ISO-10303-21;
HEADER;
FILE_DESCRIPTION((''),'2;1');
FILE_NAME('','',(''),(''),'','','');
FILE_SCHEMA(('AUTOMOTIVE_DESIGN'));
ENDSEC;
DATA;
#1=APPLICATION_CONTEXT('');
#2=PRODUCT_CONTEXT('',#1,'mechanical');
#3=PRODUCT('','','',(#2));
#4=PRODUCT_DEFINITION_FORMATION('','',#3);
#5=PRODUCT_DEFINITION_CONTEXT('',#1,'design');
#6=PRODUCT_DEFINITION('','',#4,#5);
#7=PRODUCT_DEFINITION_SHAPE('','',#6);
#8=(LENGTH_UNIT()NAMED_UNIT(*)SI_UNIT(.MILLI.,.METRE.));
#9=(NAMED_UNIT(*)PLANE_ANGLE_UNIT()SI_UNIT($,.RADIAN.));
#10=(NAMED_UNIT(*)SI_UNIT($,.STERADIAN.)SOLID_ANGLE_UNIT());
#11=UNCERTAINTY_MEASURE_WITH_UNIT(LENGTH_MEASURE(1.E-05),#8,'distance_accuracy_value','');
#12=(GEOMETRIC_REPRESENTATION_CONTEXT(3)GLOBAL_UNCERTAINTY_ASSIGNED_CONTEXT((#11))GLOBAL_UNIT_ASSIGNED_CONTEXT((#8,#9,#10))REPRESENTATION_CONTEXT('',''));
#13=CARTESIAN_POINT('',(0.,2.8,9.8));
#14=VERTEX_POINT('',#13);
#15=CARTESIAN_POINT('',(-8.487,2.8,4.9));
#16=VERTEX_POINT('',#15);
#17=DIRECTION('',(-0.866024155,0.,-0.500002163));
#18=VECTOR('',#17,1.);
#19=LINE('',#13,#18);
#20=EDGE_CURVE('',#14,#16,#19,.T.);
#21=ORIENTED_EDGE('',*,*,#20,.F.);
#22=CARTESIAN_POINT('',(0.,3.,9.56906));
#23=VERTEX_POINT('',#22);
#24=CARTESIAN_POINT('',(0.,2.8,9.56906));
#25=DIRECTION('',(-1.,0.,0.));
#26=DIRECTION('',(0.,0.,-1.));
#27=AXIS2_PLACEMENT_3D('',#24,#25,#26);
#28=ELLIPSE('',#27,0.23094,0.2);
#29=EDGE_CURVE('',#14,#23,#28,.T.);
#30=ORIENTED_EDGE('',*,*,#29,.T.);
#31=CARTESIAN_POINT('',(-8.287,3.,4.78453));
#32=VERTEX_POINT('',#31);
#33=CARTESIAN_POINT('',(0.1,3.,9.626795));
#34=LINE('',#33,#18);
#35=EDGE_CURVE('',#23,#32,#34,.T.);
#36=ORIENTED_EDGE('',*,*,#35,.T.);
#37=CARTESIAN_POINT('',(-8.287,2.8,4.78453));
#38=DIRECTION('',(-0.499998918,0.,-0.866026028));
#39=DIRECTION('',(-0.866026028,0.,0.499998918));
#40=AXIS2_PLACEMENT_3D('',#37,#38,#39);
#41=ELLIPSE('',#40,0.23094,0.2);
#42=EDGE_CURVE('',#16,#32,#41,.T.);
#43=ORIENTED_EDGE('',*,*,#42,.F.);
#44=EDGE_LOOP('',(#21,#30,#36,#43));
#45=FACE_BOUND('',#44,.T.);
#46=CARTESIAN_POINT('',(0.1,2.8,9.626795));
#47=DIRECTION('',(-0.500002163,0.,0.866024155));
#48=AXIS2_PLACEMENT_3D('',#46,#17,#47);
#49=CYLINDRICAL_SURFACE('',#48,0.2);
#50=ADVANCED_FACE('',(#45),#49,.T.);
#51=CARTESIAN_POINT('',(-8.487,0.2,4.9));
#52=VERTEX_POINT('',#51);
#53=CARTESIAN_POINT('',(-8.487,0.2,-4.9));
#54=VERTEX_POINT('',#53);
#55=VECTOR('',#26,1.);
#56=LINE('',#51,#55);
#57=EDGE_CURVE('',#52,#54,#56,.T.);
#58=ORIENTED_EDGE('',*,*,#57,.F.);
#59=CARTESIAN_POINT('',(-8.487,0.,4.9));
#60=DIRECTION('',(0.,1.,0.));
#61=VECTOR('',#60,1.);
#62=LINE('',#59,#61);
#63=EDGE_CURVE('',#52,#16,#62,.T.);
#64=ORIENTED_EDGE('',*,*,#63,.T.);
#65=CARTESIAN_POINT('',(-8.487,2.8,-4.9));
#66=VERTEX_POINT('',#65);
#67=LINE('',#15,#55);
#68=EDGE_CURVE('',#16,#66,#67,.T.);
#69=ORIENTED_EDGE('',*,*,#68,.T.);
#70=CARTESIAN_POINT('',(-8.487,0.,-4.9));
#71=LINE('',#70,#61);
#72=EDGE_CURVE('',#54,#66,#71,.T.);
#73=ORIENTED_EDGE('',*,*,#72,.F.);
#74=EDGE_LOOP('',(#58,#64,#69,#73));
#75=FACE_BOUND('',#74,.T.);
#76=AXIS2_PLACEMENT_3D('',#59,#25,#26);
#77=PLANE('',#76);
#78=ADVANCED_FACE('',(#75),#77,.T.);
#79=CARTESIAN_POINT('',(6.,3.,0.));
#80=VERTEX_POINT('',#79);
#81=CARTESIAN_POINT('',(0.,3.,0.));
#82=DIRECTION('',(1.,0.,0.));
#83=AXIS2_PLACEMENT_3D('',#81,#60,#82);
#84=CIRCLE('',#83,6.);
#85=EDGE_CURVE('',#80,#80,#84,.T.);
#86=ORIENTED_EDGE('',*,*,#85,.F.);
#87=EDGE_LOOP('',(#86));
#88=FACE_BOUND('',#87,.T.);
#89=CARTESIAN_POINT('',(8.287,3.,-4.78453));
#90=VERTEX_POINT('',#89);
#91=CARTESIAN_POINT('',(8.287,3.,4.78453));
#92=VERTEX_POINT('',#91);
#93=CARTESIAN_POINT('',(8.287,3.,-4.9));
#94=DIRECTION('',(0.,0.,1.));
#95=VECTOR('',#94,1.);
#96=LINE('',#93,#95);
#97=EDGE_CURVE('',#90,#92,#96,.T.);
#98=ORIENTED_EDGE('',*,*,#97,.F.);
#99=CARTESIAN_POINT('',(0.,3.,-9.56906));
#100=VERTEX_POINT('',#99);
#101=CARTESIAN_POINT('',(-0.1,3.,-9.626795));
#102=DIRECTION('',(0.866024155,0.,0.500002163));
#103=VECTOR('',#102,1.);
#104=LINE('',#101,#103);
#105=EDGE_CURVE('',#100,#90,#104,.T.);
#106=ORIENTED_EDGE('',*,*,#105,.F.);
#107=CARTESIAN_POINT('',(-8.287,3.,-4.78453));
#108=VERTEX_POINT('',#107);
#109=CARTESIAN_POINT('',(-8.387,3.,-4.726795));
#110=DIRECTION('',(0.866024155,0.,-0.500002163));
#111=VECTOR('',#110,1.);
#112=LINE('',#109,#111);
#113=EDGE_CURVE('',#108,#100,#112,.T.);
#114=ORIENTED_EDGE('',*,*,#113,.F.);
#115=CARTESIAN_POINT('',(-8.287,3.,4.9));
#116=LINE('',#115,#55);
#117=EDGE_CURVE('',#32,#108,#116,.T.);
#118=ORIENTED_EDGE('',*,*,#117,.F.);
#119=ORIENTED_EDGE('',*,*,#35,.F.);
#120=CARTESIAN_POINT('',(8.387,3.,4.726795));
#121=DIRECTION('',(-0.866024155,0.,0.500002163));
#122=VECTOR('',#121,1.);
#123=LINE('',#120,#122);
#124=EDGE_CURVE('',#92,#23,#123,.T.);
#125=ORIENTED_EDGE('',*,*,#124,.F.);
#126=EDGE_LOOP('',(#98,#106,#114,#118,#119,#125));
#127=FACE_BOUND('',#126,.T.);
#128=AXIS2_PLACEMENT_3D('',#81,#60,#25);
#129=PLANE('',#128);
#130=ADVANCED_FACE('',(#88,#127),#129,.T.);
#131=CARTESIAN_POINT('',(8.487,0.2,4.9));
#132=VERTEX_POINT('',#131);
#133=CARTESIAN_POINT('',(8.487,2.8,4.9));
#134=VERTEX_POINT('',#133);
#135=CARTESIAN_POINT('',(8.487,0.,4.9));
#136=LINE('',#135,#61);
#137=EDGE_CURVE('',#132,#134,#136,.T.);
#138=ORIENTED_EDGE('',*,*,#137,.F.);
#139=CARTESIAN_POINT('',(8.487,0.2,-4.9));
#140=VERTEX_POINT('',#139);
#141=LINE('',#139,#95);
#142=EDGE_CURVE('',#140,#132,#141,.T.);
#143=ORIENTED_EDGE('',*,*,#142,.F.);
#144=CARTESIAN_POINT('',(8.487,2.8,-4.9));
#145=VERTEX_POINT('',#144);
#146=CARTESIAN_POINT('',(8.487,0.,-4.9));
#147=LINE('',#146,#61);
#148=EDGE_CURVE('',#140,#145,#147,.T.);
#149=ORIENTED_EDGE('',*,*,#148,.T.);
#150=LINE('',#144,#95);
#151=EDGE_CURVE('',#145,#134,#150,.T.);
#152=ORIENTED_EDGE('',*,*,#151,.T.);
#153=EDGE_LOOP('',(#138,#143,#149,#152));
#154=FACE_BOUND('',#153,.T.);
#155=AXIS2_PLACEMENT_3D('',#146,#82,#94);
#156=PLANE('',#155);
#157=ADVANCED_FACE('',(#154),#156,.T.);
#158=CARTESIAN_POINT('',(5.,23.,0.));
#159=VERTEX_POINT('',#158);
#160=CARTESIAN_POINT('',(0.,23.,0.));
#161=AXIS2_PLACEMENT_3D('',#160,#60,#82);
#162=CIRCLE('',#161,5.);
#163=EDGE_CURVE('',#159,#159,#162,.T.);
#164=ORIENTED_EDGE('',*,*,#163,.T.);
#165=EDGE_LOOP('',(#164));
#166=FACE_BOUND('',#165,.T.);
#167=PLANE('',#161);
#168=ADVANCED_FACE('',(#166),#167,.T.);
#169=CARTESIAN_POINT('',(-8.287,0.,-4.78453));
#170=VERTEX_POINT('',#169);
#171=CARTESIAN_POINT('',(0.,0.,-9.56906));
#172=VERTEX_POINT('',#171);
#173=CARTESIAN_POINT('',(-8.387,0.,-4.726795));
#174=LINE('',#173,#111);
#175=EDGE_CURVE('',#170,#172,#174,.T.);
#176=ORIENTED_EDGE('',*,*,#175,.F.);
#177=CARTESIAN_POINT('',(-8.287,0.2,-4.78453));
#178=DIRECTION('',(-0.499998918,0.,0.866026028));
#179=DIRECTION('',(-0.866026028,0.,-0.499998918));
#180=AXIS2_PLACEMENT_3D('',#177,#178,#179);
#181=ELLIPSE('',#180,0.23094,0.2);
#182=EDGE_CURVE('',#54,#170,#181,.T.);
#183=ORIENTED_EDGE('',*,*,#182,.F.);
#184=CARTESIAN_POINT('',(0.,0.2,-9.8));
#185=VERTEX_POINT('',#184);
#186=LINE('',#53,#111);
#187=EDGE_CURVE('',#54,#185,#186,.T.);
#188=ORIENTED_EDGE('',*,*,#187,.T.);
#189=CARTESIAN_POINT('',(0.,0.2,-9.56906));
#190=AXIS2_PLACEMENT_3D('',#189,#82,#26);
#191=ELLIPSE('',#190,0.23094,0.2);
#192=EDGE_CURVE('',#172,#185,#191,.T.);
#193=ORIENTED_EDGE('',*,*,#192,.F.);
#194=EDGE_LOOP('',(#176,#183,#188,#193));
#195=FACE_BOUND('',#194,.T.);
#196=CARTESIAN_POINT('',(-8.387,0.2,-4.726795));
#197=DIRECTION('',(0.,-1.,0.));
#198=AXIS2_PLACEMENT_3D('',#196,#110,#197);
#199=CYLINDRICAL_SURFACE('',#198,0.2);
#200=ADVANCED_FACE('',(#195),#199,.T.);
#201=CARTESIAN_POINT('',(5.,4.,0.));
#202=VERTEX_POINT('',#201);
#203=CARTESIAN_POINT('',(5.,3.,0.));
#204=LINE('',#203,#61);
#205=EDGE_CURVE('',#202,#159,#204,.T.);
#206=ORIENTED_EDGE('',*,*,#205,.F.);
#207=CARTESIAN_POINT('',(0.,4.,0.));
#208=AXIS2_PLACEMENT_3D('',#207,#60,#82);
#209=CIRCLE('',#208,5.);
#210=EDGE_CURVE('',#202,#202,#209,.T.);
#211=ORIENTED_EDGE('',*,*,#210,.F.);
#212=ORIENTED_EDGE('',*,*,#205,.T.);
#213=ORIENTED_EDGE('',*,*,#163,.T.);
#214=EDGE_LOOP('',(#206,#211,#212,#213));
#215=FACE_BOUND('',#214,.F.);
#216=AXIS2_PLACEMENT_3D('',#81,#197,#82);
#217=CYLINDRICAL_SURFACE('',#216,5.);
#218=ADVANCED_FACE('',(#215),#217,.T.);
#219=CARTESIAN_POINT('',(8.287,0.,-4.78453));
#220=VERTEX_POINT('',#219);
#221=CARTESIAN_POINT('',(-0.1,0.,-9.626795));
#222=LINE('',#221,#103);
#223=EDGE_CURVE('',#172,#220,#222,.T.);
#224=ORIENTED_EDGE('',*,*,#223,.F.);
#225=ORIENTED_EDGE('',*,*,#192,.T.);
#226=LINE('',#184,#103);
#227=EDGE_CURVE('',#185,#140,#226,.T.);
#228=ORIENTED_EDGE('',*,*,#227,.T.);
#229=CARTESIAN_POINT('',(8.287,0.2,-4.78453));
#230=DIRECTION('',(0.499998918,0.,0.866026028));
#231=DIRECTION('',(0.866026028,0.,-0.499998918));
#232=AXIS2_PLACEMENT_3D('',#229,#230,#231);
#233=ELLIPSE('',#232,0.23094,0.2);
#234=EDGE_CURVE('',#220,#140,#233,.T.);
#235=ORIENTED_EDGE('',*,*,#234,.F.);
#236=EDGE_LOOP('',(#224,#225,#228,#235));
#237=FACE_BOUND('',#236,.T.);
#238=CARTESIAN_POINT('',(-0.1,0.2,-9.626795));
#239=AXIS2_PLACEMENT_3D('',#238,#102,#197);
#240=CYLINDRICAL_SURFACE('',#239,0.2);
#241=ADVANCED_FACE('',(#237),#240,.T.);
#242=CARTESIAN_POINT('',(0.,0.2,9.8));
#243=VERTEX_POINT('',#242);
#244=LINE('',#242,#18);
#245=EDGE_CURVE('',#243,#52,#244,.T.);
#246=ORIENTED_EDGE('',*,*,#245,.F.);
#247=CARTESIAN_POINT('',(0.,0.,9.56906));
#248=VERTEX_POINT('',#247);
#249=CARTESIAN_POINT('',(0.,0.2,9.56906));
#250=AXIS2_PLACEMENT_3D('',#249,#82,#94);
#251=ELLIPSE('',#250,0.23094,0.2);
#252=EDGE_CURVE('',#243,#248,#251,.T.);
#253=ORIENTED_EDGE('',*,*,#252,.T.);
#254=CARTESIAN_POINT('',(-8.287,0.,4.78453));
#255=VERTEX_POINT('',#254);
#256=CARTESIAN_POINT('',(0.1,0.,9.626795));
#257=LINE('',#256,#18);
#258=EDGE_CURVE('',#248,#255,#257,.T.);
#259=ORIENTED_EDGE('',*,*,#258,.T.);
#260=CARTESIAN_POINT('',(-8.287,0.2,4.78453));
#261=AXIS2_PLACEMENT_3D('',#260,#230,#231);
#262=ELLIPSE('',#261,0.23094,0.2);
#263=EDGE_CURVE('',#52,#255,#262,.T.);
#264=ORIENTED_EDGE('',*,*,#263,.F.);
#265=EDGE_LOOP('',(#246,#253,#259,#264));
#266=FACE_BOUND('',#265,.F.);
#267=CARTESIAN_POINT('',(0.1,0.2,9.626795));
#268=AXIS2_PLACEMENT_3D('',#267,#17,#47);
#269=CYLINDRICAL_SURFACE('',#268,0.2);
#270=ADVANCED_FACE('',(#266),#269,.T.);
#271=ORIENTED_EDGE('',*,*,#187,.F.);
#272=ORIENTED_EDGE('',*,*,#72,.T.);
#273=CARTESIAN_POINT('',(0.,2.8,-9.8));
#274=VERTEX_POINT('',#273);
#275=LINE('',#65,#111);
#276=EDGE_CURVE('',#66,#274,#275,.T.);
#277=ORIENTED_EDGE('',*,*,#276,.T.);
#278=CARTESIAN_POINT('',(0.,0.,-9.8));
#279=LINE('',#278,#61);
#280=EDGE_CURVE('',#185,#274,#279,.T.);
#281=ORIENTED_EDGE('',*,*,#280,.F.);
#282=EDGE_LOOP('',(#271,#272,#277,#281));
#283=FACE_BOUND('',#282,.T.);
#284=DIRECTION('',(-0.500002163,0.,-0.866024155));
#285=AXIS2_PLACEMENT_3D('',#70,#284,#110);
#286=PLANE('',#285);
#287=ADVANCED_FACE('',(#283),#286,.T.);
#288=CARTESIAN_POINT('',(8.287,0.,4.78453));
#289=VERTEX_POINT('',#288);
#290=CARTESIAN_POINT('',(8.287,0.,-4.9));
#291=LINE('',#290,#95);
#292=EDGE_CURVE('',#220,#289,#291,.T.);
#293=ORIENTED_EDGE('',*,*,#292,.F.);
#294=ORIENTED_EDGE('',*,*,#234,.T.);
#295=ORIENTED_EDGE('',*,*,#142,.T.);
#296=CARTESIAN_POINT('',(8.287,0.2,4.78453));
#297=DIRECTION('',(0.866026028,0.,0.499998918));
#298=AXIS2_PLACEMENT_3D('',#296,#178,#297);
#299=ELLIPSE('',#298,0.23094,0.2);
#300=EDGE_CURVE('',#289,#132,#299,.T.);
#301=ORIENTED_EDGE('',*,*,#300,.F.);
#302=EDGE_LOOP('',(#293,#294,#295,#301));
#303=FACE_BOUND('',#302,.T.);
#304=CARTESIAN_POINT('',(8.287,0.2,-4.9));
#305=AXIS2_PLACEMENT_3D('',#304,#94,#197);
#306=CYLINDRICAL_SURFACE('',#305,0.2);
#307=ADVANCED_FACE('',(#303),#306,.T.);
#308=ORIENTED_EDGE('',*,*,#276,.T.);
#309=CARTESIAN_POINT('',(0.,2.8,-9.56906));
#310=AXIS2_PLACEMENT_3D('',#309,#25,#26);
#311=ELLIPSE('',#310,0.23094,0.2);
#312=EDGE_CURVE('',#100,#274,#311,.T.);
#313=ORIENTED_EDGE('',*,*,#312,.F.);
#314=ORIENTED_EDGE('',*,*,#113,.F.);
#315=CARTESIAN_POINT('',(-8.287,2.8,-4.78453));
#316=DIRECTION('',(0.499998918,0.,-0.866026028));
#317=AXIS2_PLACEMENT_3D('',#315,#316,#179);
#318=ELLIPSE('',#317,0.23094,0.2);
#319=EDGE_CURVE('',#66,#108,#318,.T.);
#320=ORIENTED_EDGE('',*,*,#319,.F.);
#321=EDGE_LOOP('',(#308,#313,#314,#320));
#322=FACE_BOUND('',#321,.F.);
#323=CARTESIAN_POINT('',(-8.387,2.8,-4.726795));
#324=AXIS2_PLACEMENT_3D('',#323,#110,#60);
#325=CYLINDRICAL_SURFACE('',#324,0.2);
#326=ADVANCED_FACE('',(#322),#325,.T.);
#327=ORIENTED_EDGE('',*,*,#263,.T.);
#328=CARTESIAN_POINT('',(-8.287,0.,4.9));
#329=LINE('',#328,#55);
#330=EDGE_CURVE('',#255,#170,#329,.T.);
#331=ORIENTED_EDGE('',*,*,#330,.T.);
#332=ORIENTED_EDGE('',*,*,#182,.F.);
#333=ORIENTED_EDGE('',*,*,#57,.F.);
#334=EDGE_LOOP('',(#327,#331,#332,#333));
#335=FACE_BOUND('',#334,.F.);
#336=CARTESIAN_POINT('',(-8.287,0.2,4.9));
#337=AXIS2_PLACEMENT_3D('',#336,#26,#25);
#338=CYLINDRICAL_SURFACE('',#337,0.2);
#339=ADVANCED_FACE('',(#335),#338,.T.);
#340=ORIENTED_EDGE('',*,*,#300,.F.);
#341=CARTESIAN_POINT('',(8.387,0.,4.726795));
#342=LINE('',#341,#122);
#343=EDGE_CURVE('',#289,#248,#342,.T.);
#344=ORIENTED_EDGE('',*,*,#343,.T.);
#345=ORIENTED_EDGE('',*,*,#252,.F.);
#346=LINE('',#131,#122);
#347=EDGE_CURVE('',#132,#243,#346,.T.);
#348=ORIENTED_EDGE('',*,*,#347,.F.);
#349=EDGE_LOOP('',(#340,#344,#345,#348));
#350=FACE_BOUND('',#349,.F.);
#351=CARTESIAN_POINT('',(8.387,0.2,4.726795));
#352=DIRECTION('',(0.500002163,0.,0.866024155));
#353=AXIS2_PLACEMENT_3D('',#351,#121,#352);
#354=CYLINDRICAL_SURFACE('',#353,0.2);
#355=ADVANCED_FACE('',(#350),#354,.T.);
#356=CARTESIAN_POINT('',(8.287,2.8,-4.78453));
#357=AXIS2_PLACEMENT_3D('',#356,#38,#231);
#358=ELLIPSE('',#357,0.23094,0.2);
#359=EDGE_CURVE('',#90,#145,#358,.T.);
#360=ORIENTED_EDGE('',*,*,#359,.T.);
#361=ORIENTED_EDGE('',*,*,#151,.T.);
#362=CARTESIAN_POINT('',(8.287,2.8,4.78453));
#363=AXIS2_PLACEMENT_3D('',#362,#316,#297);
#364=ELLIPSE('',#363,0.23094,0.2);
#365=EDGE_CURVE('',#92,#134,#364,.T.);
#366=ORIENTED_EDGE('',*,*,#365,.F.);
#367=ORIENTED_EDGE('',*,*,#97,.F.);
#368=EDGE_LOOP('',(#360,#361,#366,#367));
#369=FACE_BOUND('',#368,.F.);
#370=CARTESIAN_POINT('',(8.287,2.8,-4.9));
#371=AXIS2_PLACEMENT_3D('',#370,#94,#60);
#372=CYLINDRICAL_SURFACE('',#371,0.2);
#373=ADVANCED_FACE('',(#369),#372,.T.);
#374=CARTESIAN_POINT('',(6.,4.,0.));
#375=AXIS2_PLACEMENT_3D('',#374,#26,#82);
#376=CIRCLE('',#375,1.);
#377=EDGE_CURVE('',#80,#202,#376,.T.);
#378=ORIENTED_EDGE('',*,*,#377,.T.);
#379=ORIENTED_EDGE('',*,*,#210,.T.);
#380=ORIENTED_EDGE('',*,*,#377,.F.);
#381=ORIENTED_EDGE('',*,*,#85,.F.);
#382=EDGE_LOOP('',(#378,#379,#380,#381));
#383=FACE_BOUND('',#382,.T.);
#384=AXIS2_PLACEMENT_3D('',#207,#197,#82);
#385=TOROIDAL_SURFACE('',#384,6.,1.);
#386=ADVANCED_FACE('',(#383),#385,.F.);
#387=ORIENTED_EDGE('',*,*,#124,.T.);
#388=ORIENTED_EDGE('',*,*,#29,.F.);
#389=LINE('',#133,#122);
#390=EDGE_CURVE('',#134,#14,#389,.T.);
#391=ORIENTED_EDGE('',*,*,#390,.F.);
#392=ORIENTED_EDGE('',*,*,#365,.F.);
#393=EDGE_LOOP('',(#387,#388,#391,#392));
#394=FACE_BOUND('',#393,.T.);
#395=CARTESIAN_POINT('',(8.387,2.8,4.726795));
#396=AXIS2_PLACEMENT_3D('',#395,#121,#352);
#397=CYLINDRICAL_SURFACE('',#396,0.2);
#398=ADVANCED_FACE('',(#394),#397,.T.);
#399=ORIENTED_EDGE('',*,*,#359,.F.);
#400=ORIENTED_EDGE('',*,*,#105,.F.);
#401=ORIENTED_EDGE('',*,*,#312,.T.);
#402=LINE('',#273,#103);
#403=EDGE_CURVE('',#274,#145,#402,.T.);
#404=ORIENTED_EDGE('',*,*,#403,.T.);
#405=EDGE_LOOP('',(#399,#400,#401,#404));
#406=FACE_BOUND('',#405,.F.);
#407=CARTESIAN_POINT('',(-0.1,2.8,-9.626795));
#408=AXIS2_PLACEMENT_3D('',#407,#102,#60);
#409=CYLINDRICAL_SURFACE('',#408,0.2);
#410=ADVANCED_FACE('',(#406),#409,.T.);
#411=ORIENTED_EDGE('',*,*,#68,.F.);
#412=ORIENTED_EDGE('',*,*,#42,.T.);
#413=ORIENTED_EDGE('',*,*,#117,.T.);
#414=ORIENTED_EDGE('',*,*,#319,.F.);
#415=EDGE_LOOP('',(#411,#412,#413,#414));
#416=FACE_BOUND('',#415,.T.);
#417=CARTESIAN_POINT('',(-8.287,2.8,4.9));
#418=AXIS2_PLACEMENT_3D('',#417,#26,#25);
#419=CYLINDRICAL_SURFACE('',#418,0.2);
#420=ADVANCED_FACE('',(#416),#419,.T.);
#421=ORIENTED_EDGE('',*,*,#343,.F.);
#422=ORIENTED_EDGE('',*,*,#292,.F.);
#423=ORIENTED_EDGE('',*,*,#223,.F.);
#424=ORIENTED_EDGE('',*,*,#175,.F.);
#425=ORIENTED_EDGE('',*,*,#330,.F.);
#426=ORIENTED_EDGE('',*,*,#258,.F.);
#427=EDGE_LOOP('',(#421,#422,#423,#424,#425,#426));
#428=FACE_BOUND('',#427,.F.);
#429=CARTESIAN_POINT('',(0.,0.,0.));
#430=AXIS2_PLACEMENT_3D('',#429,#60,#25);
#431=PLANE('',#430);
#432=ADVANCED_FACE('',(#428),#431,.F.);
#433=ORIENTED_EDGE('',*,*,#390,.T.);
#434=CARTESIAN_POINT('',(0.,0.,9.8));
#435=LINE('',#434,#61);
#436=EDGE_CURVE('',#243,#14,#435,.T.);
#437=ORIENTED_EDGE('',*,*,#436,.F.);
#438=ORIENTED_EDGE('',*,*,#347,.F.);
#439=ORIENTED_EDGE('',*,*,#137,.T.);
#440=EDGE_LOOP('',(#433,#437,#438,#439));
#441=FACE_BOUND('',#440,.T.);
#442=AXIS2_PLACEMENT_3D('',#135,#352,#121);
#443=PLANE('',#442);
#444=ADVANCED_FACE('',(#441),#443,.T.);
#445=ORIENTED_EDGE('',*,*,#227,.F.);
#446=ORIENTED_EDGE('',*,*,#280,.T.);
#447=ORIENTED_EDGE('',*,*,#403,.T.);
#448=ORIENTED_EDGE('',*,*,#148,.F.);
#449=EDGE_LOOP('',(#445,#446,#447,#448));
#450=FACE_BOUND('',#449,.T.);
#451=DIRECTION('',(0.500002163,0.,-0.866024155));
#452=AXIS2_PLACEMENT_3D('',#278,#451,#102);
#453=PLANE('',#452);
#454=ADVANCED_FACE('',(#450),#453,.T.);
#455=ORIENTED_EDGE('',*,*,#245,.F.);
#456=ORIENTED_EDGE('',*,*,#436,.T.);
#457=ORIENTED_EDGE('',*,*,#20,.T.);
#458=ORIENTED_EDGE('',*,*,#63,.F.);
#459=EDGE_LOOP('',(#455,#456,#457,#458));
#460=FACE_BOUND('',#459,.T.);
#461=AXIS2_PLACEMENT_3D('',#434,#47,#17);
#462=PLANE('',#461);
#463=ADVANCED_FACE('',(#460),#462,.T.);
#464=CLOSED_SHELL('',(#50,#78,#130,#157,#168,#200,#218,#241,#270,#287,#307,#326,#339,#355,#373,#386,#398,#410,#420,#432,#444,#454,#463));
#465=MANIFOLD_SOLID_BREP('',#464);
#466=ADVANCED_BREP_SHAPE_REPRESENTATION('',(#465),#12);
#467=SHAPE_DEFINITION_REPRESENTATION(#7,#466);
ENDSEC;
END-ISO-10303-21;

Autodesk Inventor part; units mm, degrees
ref_plane "YZ Plane" through (0, 0, 0) normal (1, 0, 0) x (0, 1, 0)
ref_plane "XZ Plane" through (0, 0, 0) normal (0, 1, 0) x (-1, 0, 0)
ref_plane "XY Plane" through (0, 0, 0) normal (0, 0, 1) x (1, 0, 0)
sketch "Sketch1" plane through (0, 0, 0) normal (0, 1, 0) x (-1, 0, 0)
  line L0 (0, 9.8) -> (8.487, 4.9)
  line L1 (8.487, 4.9) -> (8.487, -4.9)
  line L2 (8.487, -4.9) -> (0, -9.8)
  line L3 (0, -9.8) -> (-8.487, -4.9)
  line L4 (-8.487, -4.9) -> (-8.487, 4.9)
  line L5 (-8.487, 4.9) -> (0, 9.8)
  point P0 (0, 0)
  point P1 (0, 0)
  dimension "d3" = 19.6
extrude "Extrusion1" add sketch "Sketch1" along normal blind 3
sketch "Sketch2" plane through (0, 3, 0) normal (0, 1, 0) x (1, 0, 0)
  circle A0 centre (0, 0) radius 5
  dimension "d4" = 10
extrude "Extrusion2" add sketch "Sketch2" along normal blind 20
fillet "Fillet1" radius 0.2 12 edges at (-4.2435, 3, 7.35) (-8.487, 3, 0) (-8.487, 0, 0) (-4.2435, 3, -7.35) (-4.2435, 0, -7.35) (4.2435, 3, -7.35) (4.2435, 0, -7.35) (8.487, 3, 0) (8.487, 0, 0) (4.2435, 3, 7.35) (4.2435, 0, 7.35) (-4.2435, 0, 7.35)
fillet "Fillet2" radius 1 1 edges at (-5, 3, 0)
properties part number "M10bolt"
